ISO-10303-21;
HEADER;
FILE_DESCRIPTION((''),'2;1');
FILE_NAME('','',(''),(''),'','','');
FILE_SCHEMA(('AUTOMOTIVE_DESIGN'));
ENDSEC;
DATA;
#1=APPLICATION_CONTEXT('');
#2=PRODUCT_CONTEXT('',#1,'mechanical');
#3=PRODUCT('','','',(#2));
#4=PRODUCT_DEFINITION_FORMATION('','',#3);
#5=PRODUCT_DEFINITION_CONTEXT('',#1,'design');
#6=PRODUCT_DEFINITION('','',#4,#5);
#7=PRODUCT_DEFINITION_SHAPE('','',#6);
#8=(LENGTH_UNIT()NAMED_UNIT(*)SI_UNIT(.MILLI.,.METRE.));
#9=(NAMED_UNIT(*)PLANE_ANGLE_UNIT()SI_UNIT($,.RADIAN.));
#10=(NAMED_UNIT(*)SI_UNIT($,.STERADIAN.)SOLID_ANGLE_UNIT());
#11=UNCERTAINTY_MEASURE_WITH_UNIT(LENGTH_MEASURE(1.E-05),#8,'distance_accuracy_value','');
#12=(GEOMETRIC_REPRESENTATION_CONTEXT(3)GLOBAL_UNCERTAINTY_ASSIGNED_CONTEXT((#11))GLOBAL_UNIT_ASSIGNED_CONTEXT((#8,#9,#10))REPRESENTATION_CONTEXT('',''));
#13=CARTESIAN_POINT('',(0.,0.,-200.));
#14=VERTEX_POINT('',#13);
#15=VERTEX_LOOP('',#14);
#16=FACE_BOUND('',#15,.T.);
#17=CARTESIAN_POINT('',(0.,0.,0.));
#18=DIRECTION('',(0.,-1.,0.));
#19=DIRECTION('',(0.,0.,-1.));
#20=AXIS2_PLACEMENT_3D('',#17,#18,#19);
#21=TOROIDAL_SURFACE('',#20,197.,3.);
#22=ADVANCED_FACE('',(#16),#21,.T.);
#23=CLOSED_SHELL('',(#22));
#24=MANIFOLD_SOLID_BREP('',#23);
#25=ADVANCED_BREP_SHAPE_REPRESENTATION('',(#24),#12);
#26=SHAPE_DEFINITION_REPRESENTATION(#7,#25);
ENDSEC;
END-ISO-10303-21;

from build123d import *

# Parameters (mm, degrees)
SKETCH1_R = 3


with BuildPart() as part:
    # Sketch1 → Revolve1 (revolve)
    with BuildSketch(Plane.XY, mode=Mode.PRIVATE) as revolve1_sk:
        with Locations((197, 0)):
            Circle(SKETCH1_R)
    revolve(revolve1_sk.sketch.rotate(Axis((0, -50, 0), (0, 1, 0)), 90), axis=Axis((0, -50, 0), (0, 1, 0)))


solid = part.part
